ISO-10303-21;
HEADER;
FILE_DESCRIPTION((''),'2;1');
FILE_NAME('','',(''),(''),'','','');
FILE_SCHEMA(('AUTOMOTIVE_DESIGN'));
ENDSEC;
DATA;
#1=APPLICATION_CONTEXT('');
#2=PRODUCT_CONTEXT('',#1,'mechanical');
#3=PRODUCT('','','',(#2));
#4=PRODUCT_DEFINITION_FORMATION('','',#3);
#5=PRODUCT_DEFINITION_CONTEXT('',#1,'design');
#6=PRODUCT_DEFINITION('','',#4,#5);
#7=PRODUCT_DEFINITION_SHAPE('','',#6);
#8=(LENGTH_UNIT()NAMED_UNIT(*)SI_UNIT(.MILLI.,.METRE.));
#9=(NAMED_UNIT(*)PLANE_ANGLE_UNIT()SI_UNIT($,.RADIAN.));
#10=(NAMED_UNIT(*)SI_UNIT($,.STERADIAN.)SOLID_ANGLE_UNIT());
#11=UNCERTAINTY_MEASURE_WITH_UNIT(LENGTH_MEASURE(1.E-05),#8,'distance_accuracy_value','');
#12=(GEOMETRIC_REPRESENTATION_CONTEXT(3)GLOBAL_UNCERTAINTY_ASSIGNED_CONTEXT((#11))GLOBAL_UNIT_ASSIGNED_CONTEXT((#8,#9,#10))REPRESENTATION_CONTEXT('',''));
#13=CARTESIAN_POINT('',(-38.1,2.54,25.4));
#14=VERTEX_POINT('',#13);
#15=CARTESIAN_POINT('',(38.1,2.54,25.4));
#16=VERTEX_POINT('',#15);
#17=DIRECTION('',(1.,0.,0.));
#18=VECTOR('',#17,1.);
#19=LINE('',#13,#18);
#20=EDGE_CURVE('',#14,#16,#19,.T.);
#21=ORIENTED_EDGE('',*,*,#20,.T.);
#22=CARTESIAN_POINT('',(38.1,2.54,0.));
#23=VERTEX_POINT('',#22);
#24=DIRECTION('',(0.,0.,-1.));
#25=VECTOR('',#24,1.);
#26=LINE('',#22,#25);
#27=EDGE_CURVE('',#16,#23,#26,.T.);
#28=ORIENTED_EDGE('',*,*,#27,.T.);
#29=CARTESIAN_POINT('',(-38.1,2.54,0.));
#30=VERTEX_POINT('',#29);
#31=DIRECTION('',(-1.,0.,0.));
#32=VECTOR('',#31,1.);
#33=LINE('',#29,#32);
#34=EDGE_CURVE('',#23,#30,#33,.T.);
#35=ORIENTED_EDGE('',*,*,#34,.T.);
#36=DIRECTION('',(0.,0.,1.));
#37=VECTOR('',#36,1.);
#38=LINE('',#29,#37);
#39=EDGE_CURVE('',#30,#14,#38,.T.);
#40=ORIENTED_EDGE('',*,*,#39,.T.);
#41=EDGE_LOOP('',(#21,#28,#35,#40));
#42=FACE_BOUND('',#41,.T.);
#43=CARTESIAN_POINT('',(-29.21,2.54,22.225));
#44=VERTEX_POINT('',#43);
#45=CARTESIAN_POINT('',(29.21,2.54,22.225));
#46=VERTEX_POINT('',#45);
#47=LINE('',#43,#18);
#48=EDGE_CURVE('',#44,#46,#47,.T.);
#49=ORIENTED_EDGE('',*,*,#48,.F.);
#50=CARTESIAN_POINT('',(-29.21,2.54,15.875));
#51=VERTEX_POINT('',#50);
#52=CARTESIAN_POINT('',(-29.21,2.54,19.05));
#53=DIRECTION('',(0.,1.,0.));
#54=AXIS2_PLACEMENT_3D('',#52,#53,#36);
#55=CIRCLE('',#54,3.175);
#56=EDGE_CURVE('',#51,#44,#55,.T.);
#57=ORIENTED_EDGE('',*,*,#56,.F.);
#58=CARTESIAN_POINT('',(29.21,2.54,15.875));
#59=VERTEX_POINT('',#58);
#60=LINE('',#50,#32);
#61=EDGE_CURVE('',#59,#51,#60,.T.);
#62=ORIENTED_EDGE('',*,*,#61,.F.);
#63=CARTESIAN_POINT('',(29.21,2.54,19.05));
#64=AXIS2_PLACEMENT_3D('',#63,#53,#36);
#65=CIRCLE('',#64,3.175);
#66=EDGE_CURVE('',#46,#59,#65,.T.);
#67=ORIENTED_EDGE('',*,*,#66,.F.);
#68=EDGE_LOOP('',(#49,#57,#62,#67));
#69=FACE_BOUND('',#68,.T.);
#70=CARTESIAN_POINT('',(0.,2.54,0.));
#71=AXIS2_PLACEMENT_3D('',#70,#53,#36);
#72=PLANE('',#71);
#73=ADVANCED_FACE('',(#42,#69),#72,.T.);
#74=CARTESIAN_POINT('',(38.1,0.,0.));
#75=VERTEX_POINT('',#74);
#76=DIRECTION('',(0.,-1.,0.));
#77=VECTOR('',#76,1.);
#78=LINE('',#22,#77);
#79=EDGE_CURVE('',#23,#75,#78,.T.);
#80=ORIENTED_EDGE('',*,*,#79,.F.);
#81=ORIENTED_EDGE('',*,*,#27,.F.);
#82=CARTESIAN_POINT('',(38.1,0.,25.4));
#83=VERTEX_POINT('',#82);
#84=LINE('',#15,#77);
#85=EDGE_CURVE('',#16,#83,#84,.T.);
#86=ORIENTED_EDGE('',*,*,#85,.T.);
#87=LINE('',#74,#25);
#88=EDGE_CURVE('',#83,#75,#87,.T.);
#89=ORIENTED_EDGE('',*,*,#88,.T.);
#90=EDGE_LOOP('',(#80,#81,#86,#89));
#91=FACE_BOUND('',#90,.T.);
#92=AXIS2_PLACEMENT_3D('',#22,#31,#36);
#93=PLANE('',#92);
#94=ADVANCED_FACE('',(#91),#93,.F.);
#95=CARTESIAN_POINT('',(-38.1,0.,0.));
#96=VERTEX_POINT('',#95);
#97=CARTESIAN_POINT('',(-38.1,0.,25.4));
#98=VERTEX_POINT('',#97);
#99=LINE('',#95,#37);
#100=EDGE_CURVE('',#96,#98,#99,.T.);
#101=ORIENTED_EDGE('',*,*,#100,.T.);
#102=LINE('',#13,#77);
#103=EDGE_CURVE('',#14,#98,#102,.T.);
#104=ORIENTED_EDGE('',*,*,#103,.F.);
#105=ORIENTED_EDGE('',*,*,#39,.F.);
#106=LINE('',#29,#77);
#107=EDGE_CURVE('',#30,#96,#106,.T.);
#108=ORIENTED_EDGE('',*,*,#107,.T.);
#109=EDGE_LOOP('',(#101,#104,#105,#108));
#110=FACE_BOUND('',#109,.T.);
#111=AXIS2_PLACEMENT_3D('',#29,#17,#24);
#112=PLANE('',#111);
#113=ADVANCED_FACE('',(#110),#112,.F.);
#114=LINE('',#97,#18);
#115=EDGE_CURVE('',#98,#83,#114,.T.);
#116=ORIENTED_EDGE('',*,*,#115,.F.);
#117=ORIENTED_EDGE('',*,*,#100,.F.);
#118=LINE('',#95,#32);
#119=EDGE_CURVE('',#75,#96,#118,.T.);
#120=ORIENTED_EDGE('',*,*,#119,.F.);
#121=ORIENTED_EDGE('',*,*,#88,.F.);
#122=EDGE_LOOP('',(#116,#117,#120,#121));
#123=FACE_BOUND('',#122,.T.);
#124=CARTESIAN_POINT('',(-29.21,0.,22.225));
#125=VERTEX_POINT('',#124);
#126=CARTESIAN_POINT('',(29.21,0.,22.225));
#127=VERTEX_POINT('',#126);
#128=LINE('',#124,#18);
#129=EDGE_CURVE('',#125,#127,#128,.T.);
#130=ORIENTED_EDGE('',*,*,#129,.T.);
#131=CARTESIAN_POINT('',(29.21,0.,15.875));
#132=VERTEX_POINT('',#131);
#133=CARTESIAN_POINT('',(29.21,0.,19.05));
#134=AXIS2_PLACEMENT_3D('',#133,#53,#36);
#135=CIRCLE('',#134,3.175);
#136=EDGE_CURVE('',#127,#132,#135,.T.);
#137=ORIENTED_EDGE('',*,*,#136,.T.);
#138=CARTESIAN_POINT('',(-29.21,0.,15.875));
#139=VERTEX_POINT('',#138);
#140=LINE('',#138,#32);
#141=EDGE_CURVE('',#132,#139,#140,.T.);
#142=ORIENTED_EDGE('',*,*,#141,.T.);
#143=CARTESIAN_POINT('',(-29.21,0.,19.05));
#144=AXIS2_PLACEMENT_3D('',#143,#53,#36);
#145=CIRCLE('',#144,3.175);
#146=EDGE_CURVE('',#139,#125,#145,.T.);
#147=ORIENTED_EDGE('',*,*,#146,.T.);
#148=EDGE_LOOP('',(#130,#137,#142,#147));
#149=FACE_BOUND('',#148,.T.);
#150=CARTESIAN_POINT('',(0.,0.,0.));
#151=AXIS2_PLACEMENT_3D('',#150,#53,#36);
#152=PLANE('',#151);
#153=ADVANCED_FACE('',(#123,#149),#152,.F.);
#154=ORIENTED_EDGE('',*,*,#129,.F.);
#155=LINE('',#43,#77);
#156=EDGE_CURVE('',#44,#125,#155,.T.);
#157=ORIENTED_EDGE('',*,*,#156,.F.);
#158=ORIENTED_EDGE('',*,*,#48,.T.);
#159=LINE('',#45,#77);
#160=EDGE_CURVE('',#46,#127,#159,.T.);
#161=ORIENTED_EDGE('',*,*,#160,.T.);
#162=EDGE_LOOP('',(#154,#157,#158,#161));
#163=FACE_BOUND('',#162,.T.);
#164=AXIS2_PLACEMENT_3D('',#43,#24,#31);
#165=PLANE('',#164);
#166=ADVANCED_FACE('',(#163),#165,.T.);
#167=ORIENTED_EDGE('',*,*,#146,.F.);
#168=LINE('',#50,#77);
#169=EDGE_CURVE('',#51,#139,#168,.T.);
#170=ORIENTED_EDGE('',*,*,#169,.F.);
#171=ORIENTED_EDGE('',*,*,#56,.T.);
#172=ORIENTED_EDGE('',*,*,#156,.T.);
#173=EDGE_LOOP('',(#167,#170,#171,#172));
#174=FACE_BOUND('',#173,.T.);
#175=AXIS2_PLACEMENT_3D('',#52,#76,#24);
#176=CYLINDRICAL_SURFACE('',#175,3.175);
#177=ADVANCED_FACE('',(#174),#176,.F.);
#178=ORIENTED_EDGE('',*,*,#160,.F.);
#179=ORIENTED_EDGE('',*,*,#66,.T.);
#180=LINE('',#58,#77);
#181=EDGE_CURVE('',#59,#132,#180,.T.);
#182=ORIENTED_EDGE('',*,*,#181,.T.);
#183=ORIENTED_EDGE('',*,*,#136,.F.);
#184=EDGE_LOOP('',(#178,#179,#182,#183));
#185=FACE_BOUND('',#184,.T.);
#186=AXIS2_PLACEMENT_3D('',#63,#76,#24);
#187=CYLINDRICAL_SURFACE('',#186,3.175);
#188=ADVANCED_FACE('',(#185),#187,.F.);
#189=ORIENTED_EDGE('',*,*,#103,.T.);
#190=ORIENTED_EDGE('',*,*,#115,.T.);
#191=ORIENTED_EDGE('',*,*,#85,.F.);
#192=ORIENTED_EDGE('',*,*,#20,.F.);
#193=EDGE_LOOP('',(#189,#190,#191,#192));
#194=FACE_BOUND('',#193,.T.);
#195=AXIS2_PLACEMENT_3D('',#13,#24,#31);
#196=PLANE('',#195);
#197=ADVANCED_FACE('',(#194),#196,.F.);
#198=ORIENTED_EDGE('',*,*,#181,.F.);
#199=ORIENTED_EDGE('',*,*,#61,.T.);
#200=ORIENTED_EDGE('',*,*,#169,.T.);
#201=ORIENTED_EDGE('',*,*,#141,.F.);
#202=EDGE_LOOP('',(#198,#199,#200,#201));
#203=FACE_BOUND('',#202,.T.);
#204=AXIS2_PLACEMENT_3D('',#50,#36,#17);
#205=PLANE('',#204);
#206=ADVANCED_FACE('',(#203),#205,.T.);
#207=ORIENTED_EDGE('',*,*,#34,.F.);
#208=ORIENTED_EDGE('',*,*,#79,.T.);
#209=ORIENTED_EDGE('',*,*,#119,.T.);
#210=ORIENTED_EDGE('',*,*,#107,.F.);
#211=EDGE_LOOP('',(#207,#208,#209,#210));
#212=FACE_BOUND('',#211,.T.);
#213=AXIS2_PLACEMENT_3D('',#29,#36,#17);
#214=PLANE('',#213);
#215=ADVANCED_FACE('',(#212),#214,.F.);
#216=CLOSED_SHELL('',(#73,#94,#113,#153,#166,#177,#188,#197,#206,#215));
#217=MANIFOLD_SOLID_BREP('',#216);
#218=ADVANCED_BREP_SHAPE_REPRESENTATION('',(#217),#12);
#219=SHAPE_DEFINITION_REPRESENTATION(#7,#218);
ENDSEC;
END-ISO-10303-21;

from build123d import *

# Parameters (mm, degrees)
SKETCH1_W           = 76.2
SKETCH1_H           = 25.4
BOSS_EXTRUDE1_DEPTH = 2.54


with BuildPart() as part:
    # Sketch1 → Boss-Extrude1 (new body)
    with BuildSketch(Plane(origin=(0, 0, 0), x_dir=(1, 0, 0), z_dir=(0, 1, 0))):
        with Locations((0, -12.7)):
            Rectangle(SKETCH1_W, SKETCH1_H)
        with BuildLine():
            Line((-29.21, -15.875), (29.21, -15.875))
            ThreePointArc((29.21, -15.875), (32.385, -19.05), (29.21, -22.225))
            Line((29.21, -22.225), (-29.21, -22.225))
            ThreePointArc((-29.21, -22.225), (-32.385, -19.05), (-29.21, -15.875))
        make_face(mode=Mode.SUBTRACT)
    extrude(amount=BOSS_EXTRUDE1_DEPTH)


solid = part.part
